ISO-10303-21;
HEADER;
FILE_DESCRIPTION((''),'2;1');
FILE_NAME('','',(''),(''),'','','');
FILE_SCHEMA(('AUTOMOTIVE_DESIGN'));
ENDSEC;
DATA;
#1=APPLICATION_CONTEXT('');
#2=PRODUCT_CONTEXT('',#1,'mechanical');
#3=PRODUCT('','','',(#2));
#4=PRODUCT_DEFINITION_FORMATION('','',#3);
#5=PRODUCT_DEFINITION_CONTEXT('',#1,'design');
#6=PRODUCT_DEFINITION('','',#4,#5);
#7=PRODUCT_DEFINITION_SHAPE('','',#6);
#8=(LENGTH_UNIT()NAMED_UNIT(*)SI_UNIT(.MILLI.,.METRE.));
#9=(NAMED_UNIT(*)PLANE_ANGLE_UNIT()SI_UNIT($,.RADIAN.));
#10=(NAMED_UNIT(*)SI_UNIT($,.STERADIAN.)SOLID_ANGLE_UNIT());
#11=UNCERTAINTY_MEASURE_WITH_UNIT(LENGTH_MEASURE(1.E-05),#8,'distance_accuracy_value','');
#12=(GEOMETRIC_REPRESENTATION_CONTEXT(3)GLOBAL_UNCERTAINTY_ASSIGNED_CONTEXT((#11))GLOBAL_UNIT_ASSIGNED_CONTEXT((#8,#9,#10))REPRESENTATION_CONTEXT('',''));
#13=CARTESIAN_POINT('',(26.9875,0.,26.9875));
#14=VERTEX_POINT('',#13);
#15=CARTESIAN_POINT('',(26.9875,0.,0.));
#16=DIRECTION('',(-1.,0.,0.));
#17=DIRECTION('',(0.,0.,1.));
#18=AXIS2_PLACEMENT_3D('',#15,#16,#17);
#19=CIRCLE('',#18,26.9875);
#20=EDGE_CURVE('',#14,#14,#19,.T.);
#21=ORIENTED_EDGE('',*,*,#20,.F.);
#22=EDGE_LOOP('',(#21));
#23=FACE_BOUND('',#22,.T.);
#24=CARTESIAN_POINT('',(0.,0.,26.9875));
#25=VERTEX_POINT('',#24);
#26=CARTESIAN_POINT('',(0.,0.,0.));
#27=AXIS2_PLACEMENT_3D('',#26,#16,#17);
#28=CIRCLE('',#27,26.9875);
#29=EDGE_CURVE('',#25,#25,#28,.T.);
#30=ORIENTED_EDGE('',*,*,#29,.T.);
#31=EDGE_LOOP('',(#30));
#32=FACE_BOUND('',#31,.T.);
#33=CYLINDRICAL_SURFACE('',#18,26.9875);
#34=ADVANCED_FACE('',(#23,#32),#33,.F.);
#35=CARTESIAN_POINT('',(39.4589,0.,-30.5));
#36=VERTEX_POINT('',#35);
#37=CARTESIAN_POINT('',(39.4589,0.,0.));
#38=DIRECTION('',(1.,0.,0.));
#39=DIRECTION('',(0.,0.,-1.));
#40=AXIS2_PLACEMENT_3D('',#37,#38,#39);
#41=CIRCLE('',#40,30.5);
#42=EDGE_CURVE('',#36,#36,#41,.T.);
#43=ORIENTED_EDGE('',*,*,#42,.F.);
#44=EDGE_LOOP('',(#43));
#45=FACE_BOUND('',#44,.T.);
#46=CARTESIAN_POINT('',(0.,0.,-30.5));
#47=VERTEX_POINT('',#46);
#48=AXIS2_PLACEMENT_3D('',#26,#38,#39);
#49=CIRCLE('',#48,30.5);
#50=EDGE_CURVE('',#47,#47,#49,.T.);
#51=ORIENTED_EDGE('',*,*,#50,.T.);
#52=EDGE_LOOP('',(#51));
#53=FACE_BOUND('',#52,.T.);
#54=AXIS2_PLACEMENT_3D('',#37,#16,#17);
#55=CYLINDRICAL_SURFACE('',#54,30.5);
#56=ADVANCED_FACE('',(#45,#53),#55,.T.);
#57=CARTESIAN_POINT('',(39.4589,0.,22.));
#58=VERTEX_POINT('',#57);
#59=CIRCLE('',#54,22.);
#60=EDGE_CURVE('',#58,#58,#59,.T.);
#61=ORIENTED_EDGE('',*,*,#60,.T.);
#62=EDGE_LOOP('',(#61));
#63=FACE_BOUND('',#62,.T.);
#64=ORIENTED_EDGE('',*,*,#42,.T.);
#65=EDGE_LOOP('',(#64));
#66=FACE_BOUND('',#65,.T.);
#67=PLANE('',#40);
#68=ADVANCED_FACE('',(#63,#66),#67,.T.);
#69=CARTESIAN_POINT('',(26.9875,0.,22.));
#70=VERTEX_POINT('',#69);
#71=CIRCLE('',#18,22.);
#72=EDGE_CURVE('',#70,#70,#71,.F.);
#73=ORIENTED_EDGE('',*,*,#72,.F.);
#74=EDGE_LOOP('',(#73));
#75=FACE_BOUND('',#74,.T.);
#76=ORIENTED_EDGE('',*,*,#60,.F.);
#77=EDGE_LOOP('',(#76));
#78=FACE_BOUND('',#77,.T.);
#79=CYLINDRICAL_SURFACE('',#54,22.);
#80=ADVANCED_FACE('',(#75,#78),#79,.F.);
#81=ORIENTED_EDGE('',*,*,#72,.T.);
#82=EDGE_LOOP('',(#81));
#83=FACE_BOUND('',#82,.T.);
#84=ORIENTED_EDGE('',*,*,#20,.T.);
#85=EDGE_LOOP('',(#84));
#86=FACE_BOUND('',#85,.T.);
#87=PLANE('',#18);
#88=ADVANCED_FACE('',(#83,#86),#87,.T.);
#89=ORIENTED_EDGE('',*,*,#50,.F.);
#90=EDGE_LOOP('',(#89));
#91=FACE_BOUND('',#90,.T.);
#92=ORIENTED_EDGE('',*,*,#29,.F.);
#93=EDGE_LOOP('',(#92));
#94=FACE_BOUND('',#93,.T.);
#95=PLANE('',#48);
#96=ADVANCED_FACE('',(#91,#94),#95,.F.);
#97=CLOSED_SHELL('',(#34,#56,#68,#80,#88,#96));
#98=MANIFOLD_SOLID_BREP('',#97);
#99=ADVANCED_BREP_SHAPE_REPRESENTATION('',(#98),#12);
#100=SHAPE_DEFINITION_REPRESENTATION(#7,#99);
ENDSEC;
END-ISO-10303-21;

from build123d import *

# Parameters (mm, degrees)
SKETCH14_R           = 30.5
BOSS_EXTRUDE11_DEPTH = 39.4589
SKETCH15_R           = 22
CUT_EXTRUDE2_DEPTH   = 59.459428574
SKETCH13_R           = 26.9875
CUT_EXTRUDE3_DEPTH   = 26.9875


with BuildPart() as part:
    # Sketch14 → Boss-Extrude11 (new body)
    with BuildSketch(Plane(origin=(0, 0, 0), x_dir=(0, 0, -1), z_dir=(1, 0, 0))):
        Circle(SKETCH14_R)
    extrude(amount=BOSS_EXTRUDE11_DEPTH)

    # Sketch15 → Cut-Extrude2 (cut, through all)
    with BuildSketch(Plane.ZY):
        Circle(SKETCH15_R)
    extrude(amount=-CUT_EXTRUDE2_DEPTH, mode=Mode.SUBTRACT)

    # Sketch13 → Cut-Extrude3 (cut)
    with BuildSketch(Plane.ZY):
        Circle(SKETCH13_R)
    extrude(amount=-CUT_EXTRUDE3_DEPTH, mode=Mode.SUBTRACT)


solid = part.part
